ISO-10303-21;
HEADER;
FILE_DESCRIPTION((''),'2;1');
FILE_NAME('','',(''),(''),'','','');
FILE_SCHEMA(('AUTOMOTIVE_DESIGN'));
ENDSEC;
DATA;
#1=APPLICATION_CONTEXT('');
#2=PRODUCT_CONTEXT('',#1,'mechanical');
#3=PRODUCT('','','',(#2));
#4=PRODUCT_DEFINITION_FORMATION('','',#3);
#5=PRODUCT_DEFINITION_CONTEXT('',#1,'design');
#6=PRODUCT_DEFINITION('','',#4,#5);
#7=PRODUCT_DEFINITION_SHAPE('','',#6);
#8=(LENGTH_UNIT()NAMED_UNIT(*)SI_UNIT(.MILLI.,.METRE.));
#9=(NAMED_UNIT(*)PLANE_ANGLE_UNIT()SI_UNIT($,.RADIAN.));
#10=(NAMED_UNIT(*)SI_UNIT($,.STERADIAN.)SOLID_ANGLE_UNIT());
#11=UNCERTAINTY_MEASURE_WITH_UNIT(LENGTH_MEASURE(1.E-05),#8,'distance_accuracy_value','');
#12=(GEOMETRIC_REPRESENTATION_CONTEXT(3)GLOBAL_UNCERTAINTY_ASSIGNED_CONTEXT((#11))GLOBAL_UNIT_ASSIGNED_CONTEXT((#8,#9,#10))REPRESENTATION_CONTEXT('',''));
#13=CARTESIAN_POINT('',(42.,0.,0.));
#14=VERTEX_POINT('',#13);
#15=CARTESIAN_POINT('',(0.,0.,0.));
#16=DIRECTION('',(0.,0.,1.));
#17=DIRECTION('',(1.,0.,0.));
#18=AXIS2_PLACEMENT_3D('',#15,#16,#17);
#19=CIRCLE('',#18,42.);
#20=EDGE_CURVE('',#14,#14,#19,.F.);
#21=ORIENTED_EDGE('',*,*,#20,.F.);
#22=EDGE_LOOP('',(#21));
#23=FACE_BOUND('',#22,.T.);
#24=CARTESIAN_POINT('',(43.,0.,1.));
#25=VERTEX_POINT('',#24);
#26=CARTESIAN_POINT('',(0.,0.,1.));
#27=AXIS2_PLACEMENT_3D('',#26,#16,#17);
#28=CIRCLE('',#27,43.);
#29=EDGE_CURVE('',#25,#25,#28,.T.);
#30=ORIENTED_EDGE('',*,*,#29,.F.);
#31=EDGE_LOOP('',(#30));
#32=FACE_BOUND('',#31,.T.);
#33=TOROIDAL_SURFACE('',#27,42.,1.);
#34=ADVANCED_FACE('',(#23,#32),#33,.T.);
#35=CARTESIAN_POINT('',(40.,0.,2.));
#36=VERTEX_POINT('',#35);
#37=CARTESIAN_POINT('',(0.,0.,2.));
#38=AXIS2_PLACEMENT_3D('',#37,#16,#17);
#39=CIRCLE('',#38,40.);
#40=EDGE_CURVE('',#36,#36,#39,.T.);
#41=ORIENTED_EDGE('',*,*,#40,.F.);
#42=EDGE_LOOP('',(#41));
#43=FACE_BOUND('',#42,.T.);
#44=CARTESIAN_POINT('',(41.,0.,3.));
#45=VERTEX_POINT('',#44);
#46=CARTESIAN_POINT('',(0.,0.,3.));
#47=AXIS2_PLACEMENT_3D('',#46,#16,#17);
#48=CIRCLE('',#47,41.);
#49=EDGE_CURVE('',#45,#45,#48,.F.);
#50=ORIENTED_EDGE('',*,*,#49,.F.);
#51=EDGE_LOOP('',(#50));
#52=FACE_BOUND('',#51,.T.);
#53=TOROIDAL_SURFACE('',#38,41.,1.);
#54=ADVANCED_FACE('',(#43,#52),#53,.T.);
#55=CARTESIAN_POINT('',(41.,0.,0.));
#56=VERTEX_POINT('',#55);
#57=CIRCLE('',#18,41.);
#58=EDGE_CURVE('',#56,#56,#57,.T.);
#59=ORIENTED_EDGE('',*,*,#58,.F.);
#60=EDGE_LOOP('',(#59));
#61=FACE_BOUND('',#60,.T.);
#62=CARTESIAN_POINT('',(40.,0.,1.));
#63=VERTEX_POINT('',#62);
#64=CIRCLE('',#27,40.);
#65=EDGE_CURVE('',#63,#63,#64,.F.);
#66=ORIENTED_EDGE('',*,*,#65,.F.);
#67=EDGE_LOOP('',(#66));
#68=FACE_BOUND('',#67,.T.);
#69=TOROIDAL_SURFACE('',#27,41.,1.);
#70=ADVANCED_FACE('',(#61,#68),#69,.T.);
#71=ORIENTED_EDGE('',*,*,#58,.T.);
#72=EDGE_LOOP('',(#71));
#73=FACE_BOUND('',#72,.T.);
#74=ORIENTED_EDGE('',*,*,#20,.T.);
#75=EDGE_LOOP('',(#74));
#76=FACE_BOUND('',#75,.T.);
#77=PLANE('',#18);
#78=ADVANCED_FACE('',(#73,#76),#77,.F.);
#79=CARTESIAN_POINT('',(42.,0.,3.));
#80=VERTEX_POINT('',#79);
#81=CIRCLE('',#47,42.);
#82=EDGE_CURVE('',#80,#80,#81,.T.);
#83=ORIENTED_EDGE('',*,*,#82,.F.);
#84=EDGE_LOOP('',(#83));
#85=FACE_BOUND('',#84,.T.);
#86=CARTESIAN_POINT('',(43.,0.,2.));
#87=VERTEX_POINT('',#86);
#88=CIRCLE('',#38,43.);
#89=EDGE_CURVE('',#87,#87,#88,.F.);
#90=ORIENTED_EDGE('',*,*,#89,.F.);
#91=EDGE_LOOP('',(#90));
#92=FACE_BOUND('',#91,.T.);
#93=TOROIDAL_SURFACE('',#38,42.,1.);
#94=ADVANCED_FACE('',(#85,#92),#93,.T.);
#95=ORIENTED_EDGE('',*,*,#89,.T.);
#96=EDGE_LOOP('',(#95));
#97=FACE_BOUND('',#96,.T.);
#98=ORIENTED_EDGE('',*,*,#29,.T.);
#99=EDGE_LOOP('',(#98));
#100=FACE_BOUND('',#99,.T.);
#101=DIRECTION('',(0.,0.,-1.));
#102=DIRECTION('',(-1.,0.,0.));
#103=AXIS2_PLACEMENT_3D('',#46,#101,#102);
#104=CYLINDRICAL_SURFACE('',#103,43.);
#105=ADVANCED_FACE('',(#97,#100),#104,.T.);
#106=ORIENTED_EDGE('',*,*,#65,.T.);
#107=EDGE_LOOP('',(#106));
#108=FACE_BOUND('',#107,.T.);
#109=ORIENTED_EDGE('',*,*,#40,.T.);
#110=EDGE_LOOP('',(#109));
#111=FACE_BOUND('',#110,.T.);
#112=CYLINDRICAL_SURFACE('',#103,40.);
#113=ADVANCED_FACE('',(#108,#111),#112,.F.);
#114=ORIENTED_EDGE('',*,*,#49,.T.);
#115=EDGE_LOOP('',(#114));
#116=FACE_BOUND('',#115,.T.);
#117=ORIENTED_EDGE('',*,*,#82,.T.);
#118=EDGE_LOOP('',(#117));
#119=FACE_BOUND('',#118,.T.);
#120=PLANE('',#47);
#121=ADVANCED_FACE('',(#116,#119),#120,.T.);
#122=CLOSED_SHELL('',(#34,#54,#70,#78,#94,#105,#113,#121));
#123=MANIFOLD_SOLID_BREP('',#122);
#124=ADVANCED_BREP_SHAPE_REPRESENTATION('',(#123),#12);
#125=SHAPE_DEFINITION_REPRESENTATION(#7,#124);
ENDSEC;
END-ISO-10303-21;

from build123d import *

# Parameters (mm, degrees)
SCHIZZO1_R                   = 43
SCHIZZO1_R_2                 = 40
ESTRUSIONE_ESTRUSIONE1_DEPTH = 3
RACCORDO1_R                  = 1


with BuildPart() as part:
    # Schizzo1 → Estrusione-Estrusione1 (new body)
    with BuildSketch(Plane.XY):
        Circle(SCHIZZO1_R)
        Circle(SCHIZZO1_R_2, mode=Mode.SUBTRACT)
    extrude(amount=ESTRUSIONE_ESTRUSIONE1_DEPTH)

    # Raccordo1
    raccordo1_edges = [part.edges().sort_by_distance(p)[0] for p in [
        (-43, 0, 0),
        (-43, 0, 3),
        (-40, 0, 0),
        (-40, 0, 3),
    ]]
    fillet(raccordo1_edges, radius=RACCORDO1_R)


solid = part.part
